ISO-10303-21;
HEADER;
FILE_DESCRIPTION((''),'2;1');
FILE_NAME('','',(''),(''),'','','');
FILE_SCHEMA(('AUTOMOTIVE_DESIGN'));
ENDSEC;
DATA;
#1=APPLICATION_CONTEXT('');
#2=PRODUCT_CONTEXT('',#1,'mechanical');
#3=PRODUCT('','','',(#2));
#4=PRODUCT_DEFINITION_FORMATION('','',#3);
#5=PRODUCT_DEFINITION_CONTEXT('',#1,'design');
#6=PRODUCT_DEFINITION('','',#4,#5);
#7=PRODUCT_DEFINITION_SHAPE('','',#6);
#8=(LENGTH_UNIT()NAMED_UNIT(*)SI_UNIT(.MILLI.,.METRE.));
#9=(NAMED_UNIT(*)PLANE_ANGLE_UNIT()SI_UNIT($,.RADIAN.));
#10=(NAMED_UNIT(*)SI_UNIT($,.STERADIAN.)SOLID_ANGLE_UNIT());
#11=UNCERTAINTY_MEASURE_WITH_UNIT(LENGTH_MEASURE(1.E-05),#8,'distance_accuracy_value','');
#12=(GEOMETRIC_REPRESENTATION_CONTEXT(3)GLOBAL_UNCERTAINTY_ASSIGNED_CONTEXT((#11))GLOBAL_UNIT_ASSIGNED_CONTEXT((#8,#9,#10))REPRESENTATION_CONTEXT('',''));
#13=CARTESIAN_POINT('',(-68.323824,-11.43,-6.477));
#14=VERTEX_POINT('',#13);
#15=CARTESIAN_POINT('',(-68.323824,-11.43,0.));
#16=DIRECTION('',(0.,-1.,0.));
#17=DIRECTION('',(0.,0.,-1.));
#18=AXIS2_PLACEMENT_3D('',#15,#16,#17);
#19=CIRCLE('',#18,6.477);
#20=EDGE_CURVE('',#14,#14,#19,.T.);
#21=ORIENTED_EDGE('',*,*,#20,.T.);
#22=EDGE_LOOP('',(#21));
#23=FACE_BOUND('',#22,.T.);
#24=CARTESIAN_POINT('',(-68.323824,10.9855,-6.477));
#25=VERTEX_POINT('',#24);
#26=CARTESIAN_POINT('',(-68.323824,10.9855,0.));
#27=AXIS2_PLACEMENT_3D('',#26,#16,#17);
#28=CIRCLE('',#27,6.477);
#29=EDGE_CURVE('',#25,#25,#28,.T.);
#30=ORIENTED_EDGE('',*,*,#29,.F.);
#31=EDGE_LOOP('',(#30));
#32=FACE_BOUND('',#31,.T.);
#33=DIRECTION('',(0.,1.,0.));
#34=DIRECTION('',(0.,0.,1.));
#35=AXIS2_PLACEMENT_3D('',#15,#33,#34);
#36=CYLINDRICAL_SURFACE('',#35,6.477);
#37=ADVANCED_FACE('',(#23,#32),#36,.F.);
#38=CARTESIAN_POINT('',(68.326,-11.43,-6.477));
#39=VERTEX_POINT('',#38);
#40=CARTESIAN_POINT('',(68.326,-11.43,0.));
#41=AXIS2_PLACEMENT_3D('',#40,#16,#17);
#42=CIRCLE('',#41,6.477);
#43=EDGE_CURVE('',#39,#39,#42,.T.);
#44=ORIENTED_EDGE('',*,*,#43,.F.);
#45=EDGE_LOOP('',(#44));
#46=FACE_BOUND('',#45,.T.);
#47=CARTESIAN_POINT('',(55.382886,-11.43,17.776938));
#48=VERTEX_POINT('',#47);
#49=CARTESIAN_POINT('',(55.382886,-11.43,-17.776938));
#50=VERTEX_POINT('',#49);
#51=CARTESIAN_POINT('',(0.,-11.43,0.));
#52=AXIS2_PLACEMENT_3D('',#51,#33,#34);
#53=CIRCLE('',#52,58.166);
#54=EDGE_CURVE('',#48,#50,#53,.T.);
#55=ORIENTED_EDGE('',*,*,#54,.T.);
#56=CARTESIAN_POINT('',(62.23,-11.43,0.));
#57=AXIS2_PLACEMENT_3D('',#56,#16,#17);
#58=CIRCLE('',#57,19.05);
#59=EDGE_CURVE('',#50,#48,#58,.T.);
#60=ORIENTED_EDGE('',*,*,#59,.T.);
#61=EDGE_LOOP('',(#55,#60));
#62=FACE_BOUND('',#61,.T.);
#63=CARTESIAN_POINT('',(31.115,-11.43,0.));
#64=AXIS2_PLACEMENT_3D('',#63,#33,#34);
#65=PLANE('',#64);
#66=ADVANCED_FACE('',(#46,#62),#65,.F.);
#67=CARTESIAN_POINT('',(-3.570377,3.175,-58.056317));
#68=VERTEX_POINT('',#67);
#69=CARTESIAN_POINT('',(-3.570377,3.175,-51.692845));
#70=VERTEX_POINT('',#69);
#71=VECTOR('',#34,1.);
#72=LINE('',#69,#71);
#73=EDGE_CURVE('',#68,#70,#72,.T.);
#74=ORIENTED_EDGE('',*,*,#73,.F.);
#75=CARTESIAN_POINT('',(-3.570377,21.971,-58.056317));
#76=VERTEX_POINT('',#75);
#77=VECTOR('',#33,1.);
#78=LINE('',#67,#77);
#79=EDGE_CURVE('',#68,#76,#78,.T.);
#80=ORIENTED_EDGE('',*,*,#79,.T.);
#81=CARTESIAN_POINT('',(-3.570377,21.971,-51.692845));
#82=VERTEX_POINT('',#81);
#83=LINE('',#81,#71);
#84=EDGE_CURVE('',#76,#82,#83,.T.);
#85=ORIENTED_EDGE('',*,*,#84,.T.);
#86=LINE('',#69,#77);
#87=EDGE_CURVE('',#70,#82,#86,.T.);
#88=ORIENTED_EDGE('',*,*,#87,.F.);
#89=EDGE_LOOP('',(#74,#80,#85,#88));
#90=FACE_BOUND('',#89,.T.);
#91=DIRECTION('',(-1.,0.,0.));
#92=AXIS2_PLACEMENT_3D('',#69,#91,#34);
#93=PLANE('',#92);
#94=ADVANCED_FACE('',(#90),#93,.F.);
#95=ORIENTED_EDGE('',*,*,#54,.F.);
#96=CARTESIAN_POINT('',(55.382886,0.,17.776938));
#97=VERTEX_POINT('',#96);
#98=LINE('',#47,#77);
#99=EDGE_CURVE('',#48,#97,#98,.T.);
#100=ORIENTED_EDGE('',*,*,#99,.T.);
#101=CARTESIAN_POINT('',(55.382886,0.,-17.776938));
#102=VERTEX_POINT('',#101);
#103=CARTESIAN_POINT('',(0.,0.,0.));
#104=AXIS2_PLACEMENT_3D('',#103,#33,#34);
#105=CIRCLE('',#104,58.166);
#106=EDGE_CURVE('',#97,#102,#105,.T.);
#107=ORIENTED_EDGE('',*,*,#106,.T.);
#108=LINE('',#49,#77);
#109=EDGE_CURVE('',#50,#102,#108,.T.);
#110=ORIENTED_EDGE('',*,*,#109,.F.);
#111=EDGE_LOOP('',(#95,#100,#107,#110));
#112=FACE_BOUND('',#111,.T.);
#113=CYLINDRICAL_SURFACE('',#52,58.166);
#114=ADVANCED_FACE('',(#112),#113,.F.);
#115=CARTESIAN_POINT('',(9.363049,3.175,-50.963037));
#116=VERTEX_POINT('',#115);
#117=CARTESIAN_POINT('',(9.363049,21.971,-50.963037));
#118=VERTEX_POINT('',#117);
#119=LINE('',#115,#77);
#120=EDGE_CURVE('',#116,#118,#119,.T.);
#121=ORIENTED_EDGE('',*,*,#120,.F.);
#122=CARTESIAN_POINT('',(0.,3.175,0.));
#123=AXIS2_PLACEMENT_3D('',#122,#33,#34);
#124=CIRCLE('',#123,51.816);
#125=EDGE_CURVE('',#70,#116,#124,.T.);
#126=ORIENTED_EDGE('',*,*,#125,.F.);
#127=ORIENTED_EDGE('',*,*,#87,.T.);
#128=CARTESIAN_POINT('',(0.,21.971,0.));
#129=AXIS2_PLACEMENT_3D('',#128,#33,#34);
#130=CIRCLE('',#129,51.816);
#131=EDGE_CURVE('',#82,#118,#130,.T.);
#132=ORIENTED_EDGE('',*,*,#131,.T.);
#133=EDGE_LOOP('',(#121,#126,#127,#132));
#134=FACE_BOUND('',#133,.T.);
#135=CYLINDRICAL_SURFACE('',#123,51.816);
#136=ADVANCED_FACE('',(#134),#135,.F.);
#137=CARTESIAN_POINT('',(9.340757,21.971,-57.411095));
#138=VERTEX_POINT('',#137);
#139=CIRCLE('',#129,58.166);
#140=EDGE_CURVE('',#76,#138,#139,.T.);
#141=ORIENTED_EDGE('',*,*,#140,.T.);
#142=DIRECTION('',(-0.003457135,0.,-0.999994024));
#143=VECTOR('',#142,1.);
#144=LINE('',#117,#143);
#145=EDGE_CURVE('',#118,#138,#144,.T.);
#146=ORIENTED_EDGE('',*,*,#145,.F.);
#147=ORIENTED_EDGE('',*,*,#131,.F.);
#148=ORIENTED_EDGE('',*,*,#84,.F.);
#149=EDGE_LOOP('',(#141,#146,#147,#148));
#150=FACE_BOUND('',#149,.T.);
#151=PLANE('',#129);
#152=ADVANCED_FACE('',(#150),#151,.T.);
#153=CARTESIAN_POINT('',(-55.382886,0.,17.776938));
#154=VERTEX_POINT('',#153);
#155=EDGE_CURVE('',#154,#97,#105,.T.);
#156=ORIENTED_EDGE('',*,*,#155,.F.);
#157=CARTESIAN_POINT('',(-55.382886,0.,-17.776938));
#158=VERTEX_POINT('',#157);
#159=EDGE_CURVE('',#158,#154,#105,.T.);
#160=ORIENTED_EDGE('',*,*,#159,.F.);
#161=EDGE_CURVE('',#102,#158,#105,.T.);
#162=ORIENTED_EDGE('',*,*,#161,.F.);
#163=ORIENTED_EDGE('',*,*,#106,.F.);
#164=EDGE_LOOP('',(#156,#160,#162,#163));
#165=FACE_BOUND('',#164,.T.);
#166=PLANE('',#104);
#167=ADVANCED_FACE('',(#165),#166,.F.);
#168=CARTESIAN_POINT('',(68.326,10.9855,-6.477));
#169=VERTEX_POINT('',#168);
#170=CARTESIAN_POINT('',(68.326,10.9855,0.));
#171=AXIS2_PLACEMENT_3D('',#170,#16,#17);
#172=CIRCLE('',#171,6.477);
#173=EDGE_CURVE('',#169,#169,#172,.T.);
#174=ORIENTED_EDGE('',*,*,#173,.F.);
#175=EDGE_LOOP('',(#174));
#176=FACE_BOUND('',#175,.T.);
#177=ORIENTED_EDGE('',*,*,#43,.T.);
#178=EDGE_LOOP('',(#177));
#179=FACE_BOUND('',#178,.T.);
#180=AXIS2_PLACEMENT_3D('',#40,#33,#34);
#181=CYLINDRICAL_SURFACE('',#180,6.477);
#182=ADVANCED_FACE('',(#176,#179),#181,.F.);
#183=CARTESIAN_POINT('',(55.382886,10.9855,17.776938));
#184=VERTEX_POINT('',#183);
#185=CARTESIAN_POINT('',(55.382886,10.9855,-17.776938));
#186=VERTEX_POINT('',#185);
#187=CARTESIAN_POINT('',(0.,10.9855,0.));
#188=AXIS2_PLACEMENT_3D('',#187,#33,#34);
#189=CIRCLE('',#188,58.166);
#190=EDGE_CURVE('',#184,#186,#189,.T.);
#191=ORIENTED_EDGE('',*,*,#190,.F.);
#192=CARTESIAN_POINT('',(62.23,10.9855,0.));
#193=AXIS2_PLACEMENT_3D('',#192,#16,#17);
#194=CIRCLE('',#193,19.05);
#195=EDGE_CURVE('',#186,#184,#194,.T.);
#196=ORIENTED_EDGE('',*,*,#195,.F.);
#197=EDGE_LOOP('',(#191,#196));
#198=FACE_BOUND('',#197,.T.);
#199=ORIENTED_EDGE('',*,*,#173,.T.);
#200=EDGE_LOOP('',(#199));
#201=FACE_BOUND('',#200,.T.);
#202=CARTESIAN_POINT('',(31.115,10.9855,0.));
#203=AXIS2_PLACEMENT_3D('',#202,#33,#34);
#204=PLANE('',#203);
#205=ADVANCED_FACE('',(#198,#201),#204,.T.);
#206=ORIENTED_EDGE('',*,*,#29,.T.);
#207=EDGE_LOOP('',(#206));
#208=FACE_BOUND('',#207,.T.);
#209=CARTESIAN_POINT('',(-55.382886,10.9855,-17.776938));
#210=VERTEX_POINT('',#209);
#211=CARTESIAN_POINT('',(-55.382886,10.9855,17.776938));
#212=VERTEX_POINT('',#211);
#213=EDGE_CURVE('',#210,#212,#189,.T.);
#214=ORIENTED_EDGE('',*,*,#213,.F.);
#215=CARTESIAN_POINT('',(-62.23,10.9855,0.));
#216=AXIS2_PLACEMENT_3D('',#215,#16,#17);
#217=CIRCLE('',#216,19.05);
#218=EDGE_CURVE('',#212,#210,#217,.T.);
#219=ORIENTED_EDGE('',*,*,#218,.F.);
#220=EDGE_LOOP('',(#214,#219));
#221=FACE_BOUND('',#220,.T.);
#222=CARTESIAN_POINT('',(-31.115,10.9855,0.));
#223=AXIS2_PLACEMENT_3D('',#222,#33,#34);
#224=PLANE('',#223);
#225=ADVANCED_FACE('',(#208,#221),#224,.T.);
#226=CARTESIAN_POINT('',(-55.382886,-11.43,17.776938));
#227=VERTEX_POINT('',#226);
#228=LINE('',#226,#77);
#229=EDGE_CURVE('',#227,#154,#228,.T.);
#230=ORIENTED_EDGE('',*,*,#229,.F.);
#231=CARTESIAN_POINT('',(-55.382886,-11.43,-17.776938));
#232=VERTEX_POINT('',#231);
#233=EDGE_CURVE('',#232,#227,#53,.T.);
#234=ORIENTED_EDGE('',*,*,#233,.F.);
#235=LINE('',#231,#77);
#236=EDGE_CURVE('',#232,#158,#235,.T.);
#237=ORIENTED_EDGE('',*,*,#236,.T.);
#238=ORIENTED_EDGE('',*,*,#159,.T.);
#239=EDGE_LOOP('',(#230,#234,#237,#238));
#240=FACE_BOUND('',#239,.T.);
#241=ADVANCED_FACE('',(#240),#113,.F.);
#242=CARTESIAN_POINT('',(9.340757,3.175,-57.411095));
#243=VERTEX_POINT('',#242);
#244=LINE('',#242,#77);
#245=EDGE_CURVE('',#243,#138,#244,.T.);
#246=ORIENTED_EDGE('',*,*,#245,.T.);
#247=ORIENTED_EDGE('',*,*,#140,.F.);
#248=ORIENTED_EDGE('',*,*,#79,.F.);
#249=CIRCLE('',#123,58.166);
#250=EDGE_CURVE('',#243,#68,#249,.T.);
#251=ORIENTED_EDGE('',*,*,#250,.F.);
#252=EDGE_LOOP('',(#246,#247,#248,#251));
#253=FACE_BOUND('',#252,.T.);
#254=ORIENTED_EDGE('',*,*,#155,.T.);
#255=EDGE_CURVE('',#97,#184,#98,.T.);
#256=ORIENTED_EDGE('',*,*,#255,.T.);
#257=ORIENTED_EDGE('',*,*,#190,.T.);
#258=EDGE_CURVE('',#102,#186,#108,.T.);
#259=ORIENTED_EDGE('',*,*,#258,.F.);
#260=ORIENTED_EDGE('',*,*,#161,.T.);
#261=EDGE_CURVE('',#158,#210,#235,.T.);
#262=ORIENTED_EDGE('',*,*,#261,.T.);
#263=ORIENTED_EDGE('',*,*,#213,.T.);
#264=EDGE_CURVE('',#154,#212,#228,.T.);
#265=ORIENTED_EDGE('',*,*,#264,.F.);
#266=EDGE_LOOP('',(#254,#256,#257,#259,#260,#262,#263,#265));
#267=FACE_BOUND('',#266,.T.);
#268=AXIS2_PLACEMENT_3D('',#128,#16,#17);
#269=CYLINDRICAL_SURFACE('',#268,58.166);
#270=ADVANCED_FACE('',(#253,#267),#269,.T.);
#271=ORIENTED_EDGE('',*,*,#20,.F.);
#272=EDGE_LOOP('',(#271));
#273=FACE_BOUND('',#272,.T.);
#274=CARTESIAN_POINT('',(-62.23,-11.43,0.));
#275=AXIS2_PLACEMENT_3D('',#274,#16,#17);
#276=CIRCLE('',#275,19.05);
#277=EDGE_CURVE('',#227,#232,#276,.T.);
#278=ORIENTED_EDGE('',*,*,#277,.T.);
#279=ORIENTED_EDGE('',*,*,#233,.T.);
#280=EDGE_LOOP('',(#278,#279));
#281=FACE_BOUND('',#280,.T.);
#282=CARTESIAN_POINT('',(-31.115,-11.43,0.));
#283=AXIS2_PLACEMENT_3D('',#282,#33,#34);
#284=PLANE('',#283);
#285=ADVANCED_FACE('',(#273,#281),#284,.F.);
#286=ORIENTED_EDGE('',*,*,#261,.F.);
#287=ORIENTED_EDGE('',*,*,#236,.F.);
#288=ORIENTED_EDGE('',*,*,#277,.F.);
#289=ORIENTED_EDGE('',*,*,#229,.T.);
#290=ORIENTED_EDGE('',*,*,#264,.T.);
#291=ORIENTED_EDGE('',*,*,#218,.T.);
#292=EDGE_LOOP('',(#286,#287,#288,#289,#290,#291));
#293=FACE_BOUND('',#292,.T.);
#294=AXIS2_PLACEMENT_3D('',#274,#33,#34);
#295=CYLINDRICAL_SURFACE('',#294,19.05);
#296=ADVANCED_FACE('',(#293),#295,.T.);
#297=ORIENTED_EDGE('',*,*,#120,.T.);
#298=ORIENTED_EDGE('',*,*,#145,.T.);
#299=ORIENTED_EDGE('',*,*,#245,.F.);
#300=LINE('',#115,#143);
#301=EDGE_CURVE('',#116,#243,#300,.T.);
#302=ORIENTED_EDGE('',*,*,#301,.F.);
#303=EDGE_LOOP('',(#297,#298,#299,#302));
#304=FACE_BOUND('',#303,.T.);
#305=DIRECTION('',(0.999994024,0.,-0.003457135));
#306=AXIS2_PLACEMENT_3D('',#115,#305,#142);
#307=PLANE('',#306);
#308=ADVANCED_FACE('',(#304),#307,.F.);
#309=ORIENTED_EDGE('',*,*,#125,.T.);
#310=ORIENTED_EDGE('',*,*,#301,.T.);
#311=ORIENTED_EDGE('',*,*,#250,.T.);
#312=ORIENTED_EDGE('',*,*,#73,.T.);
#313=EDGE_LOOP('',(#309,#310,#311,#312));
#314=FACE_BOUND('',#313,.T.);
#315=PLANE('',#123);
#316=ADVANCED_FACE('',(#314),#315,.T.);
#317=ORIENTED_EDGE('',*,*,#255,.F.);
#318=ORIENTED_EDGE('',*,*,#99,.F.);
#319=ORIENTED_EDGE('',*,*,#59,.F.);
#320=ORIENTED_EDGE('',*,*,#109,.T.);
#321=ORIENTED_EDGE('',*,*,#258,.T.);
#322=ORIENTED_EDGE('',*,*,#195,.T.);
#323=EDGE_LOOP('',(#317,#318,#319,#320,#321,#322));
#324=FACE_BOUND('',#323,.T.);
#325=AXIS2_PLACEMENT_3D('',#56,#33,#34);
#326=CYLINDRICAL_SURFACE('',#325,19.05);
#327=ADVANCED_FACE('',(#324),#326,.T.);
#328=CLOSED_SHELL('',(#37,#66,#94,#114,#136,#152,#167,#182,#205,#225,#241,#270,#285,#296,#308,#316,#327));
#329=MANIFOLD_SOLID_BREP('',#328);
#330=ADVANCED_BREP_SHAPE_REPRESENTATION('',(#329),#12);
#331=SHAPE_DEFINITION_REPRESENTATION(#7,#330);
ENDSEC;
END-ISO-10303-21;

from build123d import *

# Parameters (mm, degrees)
SKETCH1_R                = 58.166
BOSS_EXTRUDE1_DEPTH      = 21.971
SKETCH3_R                = 51.816
CUT_EXTRUDE2_DEPTH       = 18.796
CUT_EXTRUDE7_DEPTH       = 18.796
SKETCH7_R                = 6.477
BOSS_EXTRUDE3_DEPTH      = 11.43
BOSS_EXTRUDE3_DEPTH_BACK = 10.9855


with BuildPart() as part:
    # Sketch1 → Boss-Extrude1 (new body)
    with BuildSketch(Plane(origin=(0, 0, 0), x_dir=(1, 0, 0), z_dir=(0, 1, 0))):
        Circle(SKETCH1_R)
    extrude(amount=BOSS_EXTRUDE1_DEPTH)

    # Sketch3 → Cut-Extrude2 (cut)
    with BuildSketch(Plane(origin=(0, 21.971, 0), x_dir=(1, 0, 0), z_dir=(0, 1, 0))):
        Circle(SKETCH3_R)
    extrude(amount=-CUT_EXTRUDE2_DEPTH, mode=Mode.SUBTRACT)

    # Sketch6 → Cut-Extrude7 (cut)
    with BuildSketch(Plane(origin=(0, 21.971, 0), x_dir=(1, 0, 0), z_dir=(0, 1, 0))):
        with BuildLine():
            Line((9.363048829, 50.963037318), (9.340756891, 57.411094892))
            ThreePointArc((9.340756891, 57.411094892), (2.903170649, 58.093503563), (-3.57037671, 58.056317194))
            Line((-3.57037671, 58.056317194), (-3.57037671, 51.692845406))
            ThreePointArc((-3.57037671, 51.692845406), (2.919232353, 51.733702153), (9.363048829, 50.963037318))
        make_face()
    extrude(amount=-CUT_EXTRUDE7_DEPTH, mode=Mode.SUBTRACT)

    # Sketch7 → Boss-Extrude3 (add, two sides)
    with BuildSketch(Plane.XZ) as boss_extrude3_sk:
        with BuildLine():
            ThreePointArc((55.382885714, -17.776938037), (81.28, 0), (55.382885714, 17.776938037))
            ThreePointArc((55.382885714, 17.776938037), (58.166, 0), (55.382885714, -17.776938037))
        make_face()
        with Locations((68.326, 0)):
            Circle(SKETCH7_R, mode=Mode.SUBTRACT)
        with BuildLine():
            ThreePointArc((-55.382885714, 17.776938037), (-81.28, 0), (-55.382885714, -17.776938037))
            ThreePointArc((-55.382885714, -17.776938037), (-58.166, 0), (-55.382885714, 17.776938037))
        make_face()
        with Locations((-68.323824172, 0)):
            Circle(SKETCH7_R, mode=Mode.SUBTRACT)
    extrude(amount=BOSS_EXTRUDE3_DEPTH)
    extrude(boss_extrude3_sk.sketch, amount=-BOSS_EXTRUDE3_DEPTH_BACK)


solid = part.part
